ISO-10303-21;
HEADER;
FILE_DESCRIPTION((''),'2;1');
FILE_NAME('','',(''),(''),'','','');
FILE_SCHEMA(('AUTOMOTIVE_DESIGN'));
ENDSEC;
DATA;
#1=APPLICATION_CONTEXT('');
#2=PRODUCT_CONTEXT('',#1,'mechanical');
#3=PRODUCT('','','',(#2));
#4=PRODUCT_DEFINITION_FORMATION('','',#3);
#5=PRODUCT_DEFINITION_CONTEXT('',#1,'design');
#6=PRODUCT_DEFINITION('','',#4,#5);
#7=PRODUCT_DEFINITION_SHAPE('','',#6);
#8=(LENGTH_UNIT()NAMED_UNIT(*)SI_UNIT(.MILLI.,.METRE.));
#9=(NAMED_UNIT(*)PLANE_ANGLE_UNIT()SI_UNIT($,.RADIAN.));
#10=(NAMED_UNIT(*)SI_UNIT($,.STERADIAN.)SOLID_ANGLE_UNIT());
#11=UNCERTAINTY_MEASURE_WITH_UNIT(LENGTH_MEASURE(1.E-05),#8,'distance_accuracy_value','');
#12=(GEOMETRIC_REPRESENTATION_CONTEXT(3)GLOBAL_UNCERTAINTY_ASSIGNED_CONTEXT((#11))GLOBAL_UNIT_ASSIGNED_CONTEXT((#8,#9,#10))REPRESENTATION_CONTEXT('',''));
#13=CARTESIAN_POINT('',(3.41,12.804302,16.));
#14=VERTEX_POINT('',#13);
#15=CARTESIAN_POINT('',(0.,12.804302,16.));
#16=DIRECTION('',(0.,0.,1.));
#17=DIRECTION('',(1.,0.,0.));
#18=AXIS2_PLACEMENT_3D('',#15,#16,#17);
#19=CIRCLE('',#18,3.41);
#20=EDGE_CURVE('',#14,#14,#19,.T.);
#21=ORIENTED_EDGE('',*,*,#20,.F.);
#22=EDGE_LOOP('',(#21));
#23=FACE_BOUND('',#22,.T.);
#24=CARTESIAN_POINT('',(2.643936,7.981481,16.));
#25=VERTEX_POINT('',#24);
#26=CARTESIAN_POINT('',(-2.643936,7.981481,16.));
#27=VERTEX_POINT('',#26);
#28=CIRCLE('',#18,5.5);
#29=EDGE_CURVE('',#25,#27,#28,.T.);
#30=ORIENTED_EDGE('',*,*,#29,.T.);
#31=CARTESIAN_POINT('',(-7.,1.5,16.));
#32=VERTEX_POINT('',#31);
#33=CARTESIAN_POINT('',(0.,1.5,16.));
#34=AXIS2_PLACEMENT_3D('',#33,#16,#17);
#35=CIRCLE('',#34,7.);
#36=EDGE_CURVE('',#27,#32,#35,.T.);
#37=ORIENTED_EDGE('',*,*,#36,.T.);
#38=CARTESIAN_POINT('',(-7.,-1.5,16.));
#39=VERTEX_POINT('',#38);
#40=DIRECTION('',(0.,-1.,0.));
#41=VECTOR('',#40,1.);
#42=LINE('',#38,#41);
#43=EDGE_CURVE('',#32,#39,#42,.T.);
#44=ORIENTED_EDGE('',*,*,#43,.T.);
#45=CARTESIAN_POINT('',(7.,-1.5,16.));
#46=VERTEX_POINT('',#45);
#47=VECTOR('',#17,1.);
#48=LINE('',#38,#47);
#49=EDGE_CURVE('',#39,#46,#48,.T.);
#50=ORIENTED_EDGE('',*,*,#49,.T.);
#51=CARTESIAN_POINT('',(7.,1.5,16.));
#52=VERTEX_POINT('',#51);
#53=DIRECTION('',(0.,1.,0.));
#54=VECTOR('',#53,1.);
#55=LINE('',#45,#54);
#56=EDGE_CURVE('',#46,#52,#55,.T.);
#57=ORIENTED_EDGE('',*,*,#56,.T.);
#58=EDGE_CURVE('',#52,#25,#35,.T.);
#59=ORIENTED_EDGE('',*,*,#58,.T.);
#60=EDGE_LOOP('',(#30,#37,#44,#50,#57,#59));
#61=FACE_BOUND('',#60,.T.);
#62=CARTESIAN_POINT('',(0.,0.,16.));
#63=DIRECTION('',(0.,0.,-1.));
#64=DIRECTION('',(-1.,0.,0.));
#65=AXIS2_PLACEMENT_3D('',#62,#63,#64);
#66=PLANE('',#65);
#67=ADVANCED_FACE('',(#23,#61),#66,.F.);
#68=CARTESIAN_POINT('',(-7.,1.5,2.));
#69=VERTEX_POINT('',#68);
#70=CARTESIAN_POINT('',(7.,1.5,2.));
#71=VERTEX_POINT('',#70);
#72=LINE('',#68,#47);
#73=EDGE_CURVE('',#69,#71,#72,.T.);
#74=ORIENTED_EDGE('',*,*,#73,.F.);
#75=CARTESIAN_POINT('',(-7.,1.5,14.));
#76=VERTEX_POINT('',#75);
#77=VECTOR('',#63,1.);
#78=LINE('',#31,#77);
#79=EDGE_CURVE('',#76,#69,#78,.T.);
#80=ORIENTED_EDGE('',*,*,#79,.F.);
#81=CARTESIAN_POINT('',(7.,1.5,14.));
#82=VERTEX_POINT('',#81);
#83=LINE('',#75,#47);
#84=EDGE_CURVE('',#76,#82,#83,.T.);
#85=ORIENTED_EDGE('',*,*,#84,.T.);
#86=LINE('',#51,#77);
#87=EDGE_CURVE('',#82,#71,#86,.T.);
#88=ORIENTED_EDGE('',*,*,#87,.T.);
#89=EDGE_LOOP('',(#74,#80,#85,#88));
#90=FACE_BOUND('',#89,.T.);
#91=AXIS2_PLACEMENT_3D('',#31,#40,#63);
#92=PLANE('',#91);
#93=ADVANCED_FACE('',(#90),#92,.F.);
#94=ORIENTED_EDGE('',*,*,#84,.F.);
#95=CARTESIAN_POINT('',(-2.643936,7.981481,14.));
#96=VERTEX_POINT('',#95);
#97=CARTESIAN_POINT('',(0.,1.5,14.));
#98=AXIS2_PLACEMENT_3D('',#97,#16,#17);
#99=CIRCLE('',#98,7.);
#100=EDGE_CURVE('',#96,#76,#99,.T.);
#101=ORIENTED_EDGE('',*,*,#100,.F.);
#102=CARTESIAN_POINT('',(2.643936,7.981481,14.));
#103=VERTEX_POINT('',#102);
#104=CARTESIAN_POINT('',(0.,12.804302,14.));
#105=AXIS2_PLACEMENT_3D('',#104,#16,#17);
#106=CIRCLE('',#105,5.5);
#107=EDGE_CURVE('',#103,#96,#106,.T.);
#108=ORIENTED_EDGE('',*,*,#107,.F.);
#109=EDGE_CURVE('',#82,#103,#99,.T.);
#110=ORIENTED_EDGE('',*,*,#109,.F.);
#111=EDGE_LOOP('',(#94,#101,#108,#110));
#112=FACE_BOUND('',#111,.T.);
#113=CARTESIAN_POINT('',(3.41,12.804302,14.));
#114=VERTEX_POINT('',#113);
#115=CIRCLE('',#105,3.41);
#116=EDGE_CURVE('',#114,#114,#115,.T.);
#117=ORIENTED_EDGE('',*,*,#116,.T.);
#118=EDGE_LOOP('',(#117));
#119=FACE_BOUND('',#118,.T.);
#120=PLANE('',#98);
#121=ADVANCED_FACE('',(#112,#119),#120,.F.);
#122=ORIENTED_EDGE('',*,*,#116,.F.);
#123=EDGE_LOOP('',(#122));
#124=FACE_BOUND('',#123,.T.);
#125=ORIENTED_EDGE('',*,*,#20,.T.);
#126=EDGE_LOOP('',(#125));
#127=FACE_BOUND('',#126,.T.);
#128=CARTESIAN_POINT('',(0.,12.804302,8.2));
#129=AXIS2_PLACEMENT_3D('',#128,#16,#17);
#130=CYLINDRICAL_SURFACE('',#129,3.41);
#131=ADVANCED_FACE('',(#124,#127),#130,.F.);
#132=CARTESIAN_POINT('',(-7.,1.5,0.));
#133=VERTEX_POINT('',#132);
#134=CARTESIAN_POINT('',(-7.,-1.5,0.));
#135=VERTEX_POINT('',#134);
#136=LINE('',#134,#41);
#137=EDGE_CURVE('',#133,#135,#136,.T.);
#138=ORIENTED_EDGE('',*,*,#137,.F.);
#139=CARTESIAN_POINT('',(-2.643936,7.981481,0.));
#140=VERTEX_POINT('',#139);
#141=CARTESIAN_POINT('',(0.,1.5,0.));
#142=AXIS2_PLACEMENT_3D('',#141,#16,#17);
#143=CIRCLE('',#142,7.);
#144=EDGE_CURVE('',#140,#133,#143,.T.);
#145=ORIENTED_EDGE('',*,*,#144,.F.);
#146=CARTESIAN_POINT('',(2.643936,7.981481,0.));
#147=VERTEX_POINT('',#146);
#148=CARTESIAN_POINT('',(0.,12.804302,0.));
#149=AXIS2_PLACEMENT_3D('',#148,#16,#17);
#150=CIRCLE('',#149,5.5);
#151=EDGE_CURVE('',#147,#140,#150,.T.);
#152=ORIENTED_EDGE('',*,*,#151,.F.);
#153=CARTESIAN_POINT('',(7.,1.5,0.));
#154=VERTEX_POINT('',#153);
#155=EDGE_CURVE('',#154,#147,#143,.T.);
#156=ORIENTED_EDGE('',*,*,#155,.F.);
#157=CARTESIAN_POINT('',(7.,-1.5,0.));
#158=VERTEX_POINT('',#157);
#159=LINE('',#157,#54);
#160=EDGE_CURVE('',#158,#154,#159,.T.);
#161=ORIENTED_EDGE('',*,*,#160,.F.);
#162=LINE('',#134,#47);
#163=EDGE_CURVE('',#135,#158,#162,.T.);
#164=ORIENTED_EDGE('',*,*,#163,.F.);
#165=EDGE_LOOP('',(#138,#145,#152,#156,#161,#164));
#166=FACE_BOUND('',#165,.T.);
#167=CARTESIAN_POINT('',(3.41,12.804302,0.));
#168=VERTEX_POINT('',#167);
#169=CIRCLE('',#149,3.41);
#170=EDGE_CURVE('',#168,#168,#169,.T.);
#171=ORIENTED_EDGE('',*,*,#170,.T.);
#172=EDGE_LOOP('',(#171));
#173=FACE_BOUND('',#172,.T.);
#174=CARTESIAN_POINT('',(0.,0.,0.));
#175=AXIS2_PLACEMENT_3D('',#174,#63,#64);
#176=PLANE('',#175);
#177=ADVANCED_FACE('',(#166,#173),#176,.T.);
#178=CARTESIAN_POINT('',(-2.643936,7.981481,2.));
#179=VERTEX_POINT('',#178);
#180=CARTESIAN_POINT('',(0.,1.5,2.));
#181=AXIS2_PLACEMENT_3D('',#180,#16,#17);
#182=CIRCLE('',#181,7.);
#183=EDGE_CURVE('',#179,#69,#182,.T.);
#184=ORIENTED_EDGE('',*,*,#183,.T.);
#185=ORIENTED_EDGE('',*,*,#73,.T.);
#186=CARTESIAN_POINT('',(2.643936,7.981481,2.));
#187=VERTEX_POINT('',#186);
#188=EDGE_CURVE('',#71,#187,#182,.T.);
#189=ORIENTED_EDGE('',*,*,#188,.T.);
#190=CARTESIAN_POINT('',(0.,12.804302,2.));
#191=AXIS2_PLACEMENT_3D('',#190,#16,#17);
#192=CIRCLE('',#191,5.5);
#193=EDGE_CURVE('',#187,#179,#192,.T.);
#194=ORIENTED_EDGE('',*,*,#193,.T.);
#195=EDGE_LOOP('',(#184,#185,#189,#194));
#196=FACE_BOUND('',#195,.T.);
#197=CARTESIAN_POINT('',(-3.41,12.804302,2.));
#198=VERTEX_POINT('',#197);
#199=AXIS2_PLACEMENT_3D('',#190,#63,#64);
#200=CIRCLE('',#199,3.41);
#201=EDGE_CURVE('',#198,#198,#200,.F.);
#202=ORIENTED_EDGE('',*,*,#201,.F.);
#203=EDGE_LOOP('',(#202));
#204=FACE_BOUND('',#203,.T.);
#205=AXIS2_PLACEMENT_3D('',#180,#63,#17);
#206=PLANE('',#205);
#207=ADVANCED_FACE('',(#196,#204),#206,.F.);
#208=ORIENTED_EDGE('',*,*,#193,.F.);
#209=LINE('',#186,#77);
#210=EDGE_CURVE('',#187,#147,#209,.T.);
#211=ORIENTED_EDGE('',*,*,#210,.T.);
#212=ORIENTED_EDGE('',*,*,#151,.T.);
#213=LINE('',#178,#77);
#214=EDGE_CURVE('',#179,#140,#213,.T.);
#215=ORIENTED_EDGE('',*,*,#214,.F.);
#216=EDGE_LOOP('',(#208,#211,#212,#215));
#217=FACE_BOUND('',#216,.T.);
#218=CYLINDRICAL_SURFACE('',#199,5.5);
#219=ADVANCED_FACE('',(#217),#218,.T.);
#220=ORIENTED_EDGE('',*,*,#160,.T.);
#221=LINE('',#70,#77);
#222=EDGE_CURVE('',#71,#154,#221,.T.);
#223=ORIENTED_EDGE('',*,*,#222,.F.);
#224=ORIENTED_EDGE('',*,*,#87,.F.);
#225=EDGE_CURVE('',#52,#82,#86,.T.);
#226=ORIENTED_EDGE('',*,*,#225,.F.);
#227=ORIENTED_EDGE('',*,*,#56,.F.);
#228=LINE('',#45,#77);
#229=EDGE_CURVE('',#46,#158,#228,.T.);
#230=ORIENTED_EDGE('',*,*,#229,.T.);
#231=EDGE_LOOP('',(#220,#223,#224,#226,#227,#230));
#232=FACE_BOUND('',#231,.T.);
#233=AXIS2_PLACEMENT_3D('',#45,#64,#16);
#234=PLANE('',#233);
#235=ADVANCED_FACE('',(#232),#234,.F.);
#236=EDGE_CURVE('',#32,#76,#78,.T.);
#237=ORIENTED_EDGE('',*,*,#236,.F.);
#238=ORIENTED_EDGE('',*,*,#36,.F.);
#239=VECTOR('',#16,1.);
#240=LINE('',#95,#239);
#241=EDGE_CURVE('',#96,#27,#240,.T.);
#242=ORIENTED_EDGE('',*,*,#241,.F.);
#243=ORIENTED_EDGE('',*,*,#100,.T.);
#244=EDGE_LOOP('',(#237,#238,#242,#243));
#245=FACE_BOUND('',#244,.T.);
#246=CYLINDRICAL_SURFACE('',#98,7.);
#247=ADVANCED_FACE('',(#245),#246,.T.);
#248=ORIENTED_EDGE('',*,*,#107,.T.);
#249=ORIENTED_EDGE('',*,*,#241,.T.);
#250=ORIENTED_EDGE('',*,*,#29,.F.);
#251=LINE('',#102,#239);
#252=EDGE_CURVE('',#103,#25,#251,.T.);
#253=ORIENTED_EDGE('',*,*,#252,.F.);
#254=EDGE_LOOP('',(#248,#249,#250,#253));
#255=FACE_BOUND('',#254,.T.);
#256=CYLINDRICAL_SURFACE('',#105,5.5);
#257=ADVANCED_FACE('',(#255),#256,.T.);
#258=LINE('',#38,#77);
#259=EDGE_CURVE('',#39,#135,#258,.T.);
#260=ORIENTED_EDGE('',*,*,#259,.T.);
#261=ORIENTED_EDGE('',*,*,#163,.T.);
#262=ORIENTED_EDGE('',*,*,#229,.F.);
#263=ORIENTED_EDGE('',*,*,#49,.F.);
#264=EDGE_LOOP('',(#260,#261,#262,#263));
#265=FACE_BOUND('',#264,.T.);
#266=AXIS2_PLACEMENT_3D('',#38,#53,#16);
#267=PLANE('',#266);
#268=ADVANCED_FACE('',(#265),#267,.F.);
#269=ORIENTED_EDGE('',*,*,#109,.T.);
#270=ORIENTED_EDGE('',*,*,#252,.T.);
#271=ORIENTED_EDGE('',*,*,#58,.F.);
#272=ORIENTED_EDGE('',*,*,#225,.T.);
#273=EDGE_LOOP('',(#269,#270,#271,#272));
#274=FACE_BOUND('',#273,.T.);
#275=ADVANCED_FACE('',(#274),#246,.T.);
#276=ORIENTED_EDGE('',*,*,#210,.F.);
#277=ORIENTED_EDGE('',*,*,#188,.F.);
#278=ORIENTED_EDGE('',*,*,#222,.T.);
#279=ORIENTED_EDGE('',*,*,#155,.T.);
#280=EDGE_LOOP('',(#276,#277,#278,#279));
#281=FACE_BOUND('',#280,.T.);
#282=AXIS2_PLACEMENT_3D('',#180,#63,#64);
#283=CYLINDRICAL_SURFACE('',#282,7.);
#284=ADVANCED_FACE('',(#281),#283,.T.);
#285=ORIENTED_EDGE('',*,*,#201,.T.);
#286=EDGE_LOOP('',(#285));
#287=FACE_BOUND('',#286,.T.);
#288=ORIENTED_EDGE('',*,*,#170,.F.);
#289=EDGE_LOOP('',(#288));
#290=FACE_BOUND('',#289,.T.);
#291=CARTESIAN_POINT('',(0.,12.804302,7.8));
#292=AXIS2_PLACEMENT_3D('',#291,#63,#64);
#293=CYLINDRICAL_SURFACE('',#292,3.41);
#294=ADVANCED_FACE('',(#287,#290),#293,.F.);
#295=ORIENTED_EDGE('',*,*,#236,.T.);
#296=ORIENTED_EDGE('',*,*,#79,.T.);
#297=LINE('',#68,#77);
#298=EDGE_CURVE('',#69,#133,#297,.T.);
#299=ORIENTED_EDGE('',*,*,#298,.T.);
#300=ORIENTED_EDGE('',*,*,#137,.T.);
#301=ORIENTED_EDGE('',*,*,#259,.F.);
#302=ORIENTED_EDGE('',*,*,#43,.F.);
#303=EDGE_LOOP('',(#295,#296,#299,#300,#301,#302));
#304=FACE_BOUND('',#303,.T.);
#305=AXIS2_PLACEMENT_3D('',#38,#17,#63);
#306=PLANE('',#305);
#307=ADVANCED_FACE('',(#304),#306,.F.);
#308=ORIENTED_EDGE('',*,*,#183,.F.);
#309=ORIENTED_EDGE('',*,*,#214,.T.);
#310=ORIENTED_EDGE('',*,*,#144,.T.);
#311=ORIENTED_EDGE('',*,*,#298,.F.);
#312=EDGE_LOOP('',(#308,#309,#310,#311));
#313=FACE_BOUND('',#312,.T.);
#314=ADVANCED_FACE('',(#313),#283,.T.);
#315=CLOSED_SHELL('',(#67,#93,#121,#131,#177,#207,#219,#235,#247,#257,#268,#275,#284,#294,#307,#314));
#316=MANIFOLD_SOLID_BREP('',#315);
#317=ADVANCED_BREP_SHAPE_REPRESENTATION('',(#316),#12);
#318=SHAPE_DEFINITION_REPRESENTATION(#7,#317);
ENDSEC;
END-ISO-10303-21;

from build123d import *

# Parameters (mm, degrees)
SKETCH1_W           = 14
SKETCH1_H           = 3
BOSS_EXTRUDE1_DEPTH = 16
BOSS_EXTRUDE2_DEPTH = 2
SKETCH3_R           = 3.41
CUT_EXTRUDE2_DEPTH  = 7.8


with BuildPart() as part:
    # Sketch1 → Boss-Extrude1 (new body)
    with BuildSketch(Plane.XY):
        Rectangle(SKETCH1_W, SKETCH1_H)
    extrude(amount=BOSS_EXTRUDE1_DEPTH)

    # Sketch2 → Boss-Extrude2 (add)
    with BuildSketch(Plane.XY.offset(16)):
        with BuildLine():
            Line((-7, 1.5), (7, 1.5))
            ThreePointArc((7, 1.5), (5.80980001, 5.404641321), (2.643936044, 7.981481481))
            ThreePointArc((2.643936044, 7.981481481), (0, 18.30430246), (-2.643936044, 7.981481481))
            ThreePointArc((-2.643936044, 7.981481481), (-5.80980001, 5.404641321), (-7, 1.5))
        make_face()
    boss_extrude2 = extrude(amount=-BOSS_EXTRUDE2_DEPTH)

    # Sketch3 → Cut-Extrude2 (cut)
    with BuildSketch(Plane.XY.offset(16)):
        with Locations((0, 12.80430246)):
            Circle(SKETCH3_R)
    cut_extrude2 = extrude(amount=-CUT_EXTRUDE2_DEPTH, mode=Mode.SUBTRACT)

    # Mirror1: Boss-Extrude2, Cut-Extrude2 across plane
    add(boss_extrude2.mirror(Plane(origin=(0, 0, 8), x_dir=(1, 0, 0), z_dir=(0, 0, -1))))
    add(cut_extrude2.mirror(Plane(origin=(0, 0, 8), x_dir=(1, 0, 0), z_dir=(0, 0, -1))), mode=Mode.SUBTRACT)


solid = part.part
